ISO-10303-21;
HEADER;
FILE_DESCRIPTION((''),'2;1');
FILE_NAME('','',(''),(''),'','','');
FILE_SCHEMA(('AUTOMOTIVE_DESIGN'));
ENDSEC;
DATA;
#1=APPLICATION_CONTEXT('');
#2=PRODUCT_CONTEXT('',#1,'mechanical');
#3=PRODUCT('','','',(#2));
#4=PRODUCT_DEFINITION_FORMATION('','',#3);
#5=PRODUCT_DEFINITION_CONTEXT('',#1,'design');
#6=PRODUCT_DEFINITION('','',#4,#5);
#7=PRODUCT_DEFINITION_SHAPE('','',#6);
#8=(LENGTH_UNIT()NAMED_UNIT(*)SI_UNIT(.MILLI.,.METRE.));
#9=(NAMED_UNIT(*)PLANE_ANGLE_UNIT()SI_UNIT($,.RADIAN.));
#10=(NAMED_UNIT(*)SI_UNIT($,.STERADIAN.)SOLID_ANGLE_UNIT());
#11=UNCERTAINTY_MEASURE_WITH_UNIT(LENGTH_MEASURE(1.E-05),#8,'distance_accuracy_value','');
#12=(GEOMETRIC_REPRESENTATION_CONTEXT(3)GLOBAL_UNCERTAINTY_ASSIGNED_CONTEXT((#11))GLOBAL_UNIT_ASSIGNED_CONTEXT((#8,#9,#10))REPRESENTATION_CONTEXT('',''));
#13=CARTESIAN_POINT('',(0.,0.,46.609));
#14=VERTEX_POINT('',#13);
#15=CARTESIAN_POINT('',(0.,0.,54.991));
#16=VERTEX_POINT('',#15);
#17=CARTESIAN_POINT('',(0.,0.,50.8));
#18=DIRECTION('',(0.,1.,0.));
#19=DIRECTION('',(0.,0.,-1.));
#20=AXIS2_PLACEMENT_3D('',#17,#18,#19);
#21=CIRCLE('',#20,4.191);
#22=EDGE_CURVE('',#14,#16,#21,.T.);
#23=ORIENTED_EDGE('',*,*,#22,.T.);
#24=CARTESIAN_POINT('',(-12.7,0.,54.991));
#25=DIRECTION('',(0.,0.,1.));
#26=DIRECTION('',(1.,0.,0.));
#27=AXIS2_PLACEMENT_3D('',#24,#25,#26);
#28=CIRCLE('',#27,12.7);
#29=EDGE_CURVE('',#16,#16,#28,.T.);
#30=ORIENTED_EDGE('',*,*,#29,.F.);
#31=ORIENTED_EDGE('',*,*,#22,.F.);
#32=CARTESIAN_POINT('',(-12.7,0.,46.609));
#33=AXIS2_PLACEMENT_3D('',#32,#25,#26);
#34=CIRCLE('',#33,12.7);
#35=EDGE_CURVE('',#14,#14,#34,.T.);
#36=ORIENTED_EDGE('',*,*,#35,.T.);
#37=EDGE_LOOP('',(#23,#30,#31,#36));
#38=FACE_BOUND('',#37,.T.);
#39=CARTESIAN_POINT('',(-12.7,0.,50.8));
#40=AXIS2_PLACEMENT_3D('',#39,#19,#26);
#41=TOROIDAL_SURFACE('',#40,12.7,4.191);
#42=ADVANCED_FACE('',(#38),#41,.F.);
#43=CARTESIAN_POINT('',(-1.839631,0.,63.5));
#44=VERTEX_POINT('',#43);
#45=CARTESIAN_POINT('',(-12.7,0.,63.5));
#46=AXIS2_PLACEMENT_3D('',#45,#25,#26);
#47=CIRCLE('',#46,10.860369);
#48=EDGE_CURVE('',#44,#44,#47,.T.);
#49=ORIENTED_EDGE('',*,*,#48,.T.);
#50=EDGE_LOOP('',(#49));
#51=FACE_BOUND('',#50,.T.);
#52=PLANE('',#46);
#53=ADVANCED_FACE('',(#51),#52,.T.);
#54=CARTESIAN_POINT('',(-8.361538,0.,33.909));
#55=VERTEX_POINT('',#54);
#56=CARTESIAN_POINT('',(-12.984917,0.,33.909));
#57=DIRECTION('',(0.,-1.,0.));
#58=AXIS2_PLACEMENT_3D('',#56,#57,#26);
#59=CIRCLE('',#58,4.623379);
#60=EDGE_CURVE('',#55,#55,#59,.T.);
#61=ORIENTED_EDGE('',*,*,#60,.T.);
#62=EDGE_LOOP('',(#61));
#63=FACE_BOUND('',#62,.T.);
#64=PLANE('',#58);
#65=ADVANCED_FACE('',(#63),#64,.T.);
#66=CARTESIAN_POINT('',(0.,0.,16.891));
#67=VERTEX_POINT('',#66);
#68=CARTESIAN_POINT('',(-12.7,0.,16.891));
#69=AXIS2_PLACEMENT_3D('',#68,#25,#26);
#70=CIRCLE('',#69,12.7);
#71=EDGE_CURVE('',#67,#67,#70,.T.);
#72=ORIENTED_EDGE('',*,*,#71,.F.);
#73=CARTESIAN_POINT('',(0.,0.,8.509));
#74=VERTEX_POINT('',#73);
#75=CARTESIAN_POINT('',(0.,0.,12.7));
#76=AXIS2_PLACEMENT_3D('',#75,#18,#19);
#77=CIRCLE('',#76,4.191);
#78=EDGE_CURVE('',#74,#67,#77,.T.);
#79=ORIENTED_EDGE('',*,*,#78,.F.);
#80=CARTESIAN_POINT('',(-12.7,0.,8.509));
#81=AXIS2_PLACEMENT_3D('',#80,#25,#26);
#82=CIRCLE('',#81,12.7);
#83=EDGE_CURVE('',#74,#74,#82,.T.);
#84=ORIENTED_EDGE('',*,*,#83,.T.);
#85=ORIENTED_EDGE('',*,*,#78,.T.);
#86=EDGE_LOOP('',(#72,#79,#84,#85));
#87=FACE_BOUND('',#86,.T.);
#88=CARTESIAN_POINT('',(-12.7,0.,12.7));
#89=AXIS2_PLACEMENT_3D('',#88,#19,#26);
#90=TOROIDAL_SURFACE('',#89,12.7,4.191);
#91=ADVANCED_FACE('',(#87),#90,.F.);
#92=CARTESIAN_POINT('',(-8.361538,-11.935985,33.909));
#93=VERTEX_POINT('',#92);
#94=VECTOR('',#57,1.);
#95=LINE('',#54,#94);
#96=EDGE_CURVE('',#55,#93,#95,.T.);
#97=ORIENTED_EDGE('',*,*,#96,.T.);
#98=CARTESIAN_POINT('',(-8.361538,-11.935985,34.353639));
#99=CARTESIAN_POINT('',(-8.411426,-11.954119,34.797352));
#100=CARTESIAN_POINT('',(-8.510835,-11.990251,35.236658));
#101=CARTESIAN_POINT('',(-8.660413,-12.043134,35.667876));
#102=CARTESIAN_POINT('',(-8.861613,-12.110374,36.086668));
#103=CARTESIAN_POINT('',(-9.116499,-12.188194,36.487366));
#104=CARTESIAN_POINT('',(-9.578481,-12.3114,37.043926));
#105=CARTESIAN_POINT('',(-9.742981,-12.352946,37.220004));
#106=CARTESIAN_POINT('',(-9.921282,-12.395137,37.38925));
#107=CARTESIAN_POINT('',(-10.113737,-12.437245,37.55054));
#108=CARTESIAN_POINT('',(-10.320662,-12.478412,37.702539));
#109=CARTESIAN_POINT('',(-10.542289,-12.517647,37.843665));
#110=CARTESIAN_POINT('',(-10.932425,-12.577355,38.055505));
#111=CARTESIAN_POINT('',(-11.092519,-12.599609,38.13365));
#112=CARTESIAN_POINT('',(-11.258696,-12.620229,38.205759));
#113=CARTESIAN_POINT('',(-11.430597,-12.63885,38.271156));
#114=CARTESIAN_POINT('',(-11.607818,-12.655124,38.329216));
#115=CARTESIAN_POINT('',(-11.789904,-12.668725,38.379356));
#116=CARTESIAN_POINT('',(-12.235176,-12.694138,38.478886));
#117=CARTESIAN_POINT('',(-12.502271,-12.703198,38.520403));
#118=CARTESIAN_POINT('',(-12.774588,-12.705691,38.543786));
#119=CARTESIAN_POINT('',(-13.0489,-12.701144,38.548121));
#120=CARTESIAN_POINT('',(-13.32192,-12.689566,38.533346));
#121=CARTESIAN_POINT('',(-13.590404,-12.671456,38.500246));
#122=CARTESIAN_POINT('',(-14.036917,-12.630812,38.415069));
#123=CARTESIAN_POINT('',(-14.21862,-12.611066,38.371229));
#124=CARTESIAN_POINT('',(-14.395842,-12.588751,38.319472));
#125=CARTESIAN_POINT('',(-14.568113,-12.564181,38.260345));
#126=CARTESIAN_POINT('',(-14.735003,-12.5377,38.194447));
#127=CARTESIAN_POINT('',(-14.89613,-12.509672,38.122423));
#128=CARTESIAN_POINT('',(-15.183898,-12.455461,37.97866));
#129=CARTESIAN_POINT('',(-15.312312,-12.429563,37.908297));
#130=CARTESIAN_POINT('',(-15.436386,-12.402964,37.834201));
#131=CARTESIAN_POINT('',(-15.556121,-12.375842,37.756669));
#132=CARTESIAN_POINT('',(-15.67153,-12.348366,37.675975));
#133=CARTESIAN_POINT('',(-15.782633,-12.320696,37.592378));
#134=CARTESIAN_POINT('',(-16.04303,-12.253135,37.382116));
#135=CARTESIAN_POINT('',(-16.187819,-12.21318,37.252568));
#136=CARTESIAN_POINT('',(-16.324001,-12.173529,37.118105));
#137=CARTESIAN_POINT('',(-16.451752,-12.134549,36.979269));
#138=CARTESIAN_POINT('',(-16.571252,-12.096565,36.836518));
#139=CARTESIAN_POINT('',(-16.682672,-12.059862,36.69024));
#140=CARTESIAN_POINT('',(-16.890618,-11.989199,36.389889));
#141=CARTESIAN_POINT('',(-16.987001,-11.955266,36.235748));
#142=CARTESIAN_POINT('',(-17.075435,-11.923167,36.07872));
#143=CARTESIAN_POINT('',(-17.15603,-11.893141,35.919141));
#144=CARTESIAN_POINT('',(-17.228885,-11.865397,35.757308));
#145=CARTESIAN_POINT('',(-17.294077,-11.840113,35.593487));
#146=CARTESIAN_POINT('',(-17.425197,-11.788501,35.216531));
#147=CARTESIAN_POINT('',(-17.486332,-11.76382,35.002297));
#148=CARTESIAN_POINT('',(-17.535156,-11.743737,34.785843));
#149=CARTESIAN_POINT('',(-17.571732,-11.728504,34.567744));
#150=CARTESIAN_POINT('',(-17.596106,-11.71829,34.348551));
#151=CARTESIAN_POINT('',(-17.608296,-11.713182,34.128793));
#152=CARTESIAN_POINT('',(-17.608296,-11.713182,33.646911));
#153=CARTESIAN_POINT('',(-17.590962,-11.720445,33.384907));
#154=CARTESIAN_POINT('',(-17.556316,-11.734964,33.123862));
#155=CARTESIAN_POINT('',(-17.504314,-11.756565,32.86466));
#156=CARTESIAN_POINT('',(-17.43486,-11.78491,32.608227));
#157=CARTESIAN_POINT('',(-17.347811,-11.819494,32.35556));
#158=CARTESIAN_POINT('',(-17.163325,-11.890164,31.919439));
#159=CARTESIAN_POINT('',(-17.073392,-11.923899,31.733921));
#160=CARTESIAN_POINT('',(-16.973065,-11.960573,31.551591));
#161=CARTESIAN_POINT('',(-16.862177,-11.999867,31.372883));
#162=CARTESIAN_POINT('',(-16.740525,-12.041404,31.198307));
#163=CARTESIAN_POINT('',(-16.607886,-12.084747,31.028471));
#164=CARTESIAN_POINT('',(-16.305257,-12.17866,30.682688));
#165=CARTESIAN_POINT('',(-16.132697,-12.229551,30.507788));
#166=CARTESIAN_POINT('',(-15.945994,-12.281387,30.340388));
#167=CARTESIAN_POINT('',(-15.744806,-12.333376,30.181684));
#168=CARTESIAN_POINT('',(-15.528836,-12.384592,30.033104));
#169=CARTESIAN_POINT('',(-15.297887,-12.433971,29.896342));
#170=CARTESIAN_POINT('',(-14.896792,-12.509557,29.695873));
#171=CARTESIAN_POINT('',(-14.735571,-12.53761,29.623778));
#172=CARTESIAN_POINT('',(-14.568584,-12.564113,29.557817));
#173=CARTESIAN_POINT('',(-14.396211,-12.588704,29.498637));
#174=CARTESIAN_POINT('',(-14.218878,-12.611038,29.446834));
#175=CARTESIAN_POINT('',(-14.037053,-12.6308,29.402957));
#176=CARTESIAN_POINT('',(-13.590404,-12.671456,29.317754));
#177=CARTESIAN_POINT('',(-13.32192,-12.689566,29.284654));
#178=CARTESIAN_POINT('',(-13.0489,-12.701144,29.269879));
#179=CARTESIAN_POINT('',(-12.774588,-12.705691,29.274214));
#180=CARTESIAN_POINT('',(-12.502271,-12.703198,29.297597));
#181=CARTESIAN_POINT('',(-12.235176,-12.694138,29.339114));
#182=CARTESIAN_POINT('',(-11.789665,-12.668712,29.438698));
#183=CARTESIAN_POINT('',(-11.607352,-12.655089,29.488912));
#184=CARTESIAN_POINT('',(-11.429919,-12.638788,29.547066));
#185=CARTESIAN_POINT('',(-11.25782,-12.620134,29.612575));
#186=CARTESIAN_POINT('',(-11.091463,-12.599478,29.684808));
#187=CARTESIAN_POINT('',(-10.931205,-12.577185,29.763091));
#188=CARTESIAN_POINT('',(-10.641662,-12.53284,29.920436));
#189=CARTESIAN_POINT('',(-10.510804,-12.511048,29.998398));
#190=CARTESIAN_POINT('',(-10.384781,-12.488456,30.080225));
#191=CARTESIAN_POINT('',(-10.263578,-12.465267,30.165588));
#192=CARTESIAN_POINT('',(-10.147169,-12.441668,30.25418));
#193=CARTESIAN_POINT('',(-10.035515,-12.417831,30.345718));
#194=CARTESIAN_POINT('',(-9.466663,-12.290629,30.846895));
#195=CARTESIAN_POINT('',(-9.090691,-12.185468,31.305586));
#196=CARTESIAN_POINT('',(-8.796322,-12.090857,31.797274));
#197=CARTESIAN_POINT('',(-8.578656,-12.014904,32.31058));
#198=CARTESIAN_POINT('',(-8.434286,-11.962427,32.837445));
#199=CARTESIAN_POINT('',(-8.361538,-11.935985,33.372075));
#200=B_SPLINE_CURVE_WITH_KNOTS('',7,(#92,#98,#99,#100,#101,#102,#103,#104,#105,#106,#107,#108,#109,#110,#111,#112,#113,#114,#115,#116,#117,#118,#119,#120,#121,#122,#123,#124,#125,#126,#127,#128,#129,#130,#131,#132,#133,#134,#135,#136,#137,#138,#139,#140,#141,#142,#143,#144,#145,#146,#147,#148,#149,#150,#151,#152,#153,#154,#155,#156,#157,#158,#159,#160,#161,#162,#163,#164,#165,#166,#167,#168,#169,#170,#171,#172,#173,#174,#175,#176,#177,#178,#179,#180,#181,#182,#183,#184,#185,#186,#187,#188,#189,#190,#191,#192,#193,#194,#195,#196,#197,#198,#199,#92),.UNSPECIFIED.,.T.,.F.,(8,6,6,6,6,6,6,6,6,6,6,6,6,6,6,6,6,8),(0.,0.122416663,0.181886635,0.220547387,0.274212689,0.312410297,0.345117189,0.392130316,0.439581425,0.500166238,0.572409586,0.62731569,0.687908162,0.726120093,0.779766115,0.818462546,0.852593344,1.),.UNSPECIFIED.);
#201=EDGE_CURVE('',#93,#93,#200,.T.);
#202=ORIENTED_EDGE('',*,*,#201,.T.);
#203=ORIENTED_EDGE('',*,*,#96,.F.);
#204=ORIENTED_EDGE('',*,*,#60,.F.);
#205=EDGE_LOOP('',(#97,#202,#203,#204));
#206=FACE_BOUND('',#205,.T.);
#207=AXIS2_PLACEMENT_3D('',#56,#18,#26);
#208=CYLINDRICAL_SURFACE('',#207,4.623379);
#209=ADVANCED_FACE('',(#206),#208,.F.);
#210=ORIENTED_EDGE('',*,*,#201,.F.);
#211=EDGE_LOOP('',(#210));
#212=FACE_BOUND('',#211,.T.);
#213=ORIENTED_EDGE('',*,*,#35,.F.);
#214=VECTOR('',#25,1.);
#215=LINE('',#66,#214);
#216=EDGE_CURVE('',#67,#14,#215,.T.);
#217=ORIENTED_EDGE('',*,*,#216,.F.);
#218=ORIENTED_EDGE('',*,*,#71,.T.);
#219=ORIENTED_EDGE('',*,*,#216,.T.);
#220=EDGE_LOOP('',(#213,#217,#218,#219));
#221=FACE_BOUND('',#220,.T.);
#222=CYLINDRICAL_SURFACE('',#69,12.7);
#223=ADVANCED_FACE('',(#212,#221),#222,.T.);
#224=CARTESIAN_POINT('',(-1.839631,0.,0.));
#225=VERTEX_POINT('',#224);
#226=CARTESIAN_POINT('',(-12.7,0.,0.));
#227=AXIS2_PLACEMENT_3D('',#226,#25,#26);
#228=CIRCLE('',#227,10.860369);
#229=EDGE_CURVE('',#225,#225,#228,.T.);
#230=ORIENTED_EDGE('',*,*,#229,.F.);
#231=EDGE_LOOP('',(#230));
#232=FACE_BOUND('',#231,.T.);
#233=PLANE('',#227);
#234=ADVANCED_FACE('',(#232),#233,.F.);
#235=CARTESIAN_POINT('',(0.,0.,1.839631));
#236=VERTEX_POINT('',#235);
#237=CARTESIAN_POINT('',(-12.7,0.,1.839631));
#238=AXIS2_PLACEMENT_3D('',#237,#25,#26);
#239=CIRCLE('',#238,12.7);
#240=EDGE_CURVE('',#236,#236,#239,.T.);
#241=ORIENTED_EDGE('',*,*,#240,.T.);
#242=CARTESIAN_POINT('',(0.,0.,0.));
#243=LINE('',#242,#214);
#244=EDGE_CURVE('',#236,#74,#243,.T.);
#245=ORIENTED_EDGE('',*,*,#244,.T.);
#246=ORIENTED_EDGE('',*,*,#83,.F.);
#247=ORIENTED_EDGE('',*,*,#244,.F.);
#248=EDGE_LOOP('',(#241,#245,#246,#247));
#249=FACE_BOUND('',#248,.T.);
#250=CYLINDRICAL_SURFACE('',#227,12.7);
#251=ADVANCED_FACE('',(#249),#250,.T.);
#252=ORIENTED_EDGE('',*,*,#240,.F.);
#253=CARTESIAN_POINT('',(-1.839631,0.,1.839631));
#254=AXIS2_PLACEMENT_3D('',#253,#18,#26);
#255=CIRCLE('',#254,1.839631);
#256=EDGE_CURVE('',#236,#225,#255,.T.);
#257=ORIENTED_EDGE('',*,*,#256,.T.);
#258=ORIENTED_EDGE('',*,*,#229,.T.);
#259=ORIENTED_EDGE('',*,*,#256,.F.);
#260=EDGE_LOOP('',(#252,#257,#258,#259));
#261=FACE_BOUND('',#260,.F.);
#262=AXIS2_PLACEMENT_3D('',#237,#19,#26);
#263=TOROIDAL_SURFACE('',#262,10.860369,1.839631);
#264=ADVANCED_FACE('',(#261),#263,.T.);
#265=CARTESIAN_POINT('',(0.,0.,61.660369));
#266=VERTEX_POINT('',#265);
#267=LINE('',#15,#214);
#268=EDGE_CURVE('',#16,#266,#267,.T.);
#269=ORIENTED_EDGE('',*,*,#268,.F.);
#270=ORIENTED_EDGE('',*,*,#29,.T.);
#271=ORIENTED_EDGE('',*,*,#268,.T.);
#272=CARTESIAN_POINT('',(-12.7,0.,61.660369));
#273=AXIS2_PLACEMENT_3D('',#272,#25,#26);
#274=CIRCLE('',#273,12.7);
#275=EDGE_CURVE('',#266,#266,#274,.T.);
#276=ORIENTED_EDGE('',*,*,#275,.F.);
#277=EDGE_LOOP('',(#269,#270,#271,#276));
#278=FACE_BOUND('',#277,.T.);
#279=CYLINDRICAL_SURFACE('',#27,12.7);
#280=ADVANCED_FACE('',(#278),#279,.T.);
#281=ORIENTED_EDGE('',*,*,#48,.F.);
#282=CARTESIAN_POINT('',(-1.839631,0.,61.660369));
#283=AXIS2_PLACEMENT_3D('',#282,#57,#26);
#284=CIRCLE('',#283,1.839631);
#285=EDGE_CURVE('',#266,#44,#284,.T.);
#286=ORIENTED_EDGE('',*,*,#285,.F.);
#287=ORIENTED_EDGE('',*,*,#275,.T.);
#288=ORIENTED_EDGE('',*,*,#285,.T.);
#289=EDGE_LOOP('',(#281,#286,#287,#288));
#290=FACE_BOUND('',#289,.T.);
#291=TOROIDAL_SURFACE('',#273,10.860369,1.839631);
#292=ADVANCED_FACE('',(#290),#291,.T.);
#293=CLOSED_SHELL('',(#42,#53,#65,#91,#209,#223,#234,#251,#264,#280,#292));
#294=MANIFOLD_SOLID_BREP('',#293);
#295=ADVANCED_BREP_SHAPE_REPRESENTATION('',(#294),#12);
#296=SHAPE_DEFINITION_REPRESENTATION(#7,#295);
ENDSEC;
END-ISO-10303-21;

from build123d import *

# Parameters (mm, degrees)
F2_R     = 1.839631
F3_R     = 1.839631
F4_R     = 4.623379
F5_DEPTH = 25.4


with BuildPart() as f1:
    # F0 (on Front) → F1 (revolve)
    with BuildSketch(Plane.XZ):
        with BuildLine():
            Line((-12.7, 0), (0, 0))
            Line((0, 0), (0, 8.509))
            ThreePointArc((0, 8.509), (-4.191, 12.7), (0, 16.891))
            Line((0, 16.891), (0, 46.609))
            ThreePointArc((0, 46.609), (-4.191, 50.8), (0, 54.991))
            Line((0, 54.991), (0, 63.5))
            Line((0, 63.5), (-12.7, 63.5))
            Line((-12.7, 63.5), (-12.7, 0))
        make_face()
    revolve(axis=Axis((-12.7, 0, 31.75), (0, 0, 1)))

    # F2
    f2_edges = [f1.edges().sort_by_distance(p)[0] for p in [
        (-25.4, 0, 63.5),
    ]]
    fillet(f2_edges, radius=F2_R)

    # F3
    f3_edges = [f1.edges().sort_by_distance(p)[0] for p in [
        (-25.4, 0, 0),
    ]]
    fillet(f3_edges, radius=F3_R)

    # F4 (on Front) → F5 (cut)
    with BuildSketch(Plane.XZ):
        with Locations((-12.984917, 33.909)):
            Circle(F4_R)
    extrude(amount=F5_DEPTH, mode=Mode.SUBTRACT)


solid = f1.part
